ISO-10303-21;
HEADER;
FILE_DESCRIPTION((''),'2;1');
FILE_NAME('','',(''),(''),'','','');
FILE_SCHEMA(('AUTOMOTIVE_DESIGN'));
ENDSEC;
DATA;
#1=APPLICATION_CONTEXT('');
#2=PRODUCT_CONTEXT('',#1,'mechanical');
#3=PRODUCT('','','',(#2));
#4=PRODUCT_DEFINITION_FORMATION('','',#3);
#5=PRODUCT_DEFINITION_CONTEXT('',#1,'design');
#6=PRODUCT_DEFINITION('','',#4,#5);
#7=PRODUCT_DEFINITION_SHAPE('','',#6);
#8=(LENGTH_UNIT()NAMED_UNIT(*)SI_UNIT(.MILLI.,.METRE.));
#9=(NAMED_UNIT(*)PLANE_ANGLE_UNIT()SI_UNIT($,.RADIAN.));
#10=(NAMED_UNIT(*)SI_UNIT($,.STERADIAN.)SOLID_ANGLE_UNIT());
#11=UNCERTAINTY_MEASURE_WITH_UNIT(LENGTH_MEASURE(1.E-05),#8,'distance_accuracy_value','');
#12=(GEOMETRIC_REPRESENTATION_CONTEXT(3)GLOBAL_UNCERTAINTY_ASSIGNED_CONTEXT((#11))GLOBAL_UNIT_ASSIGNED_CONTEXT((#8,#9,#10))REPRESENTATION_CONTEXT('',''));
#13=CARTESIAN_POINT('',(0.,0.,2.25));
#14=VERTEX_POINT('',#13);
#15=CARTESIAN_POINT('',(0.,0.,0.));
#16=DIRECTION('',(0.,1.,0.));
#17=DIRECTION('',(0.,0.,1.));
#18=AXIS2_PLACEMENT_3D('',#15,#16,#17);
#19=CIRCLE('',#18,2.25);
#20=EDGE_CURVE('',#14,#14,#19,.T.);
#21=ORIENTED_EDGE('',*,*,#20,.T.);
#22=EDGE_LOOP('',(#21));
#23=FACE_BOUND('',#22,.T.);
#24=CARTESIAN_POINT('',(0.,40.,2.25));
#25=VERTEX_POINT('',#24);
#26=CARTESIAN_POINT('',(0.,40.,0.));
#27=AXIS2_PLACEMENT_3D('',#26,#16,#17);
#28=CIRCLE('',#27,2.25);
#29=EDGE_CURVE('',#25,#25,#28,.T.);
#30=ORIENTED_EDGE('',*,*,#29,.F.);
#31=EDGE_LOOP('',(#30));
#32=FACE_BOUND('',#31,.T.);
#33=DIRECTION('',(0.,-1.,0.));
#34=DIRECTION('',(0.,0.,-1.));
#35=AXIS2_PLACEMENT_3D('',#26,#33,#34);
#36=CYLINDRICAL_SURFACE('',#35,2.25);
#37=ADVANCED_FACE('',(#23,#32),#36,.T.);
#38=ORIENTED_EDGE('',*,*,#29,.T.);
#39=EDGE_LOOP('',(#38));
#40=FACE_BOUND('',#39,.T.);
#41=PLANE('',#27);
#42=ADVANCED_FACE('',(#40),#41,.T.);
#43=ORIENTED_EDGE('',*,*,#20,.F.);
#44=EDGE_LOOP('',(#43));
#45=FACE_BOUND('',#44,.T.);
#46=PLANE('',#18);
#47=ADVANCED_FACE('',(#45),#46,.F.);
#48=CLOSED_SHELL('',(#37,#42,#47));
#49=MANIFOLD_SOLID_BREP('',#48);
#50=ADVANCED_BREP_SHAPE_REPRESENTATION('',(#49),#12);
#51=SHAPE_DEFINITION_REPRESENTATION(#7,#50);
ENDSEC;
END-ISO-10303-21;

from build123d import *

# Parameters (mm, degrees)
SKETCH_1_R      = 2.25
EXTRUDE_1_DEPTH = 40


with BuildPart() as part:
    # 草图1 → 凸台-拉伸1 (new body)
    with BuildSketch(Plane(origin=(0, 0, 0), x_dir=(1, 0, 0), z_dir=(0, 1, 0))):
        with Locations(Location((0, 0, 0), (0, 0, 270))):
            Circle(SKETCH_1_R)
    extrude(amount=EXTRUDE_1_DEPTH)


solid = part.part
